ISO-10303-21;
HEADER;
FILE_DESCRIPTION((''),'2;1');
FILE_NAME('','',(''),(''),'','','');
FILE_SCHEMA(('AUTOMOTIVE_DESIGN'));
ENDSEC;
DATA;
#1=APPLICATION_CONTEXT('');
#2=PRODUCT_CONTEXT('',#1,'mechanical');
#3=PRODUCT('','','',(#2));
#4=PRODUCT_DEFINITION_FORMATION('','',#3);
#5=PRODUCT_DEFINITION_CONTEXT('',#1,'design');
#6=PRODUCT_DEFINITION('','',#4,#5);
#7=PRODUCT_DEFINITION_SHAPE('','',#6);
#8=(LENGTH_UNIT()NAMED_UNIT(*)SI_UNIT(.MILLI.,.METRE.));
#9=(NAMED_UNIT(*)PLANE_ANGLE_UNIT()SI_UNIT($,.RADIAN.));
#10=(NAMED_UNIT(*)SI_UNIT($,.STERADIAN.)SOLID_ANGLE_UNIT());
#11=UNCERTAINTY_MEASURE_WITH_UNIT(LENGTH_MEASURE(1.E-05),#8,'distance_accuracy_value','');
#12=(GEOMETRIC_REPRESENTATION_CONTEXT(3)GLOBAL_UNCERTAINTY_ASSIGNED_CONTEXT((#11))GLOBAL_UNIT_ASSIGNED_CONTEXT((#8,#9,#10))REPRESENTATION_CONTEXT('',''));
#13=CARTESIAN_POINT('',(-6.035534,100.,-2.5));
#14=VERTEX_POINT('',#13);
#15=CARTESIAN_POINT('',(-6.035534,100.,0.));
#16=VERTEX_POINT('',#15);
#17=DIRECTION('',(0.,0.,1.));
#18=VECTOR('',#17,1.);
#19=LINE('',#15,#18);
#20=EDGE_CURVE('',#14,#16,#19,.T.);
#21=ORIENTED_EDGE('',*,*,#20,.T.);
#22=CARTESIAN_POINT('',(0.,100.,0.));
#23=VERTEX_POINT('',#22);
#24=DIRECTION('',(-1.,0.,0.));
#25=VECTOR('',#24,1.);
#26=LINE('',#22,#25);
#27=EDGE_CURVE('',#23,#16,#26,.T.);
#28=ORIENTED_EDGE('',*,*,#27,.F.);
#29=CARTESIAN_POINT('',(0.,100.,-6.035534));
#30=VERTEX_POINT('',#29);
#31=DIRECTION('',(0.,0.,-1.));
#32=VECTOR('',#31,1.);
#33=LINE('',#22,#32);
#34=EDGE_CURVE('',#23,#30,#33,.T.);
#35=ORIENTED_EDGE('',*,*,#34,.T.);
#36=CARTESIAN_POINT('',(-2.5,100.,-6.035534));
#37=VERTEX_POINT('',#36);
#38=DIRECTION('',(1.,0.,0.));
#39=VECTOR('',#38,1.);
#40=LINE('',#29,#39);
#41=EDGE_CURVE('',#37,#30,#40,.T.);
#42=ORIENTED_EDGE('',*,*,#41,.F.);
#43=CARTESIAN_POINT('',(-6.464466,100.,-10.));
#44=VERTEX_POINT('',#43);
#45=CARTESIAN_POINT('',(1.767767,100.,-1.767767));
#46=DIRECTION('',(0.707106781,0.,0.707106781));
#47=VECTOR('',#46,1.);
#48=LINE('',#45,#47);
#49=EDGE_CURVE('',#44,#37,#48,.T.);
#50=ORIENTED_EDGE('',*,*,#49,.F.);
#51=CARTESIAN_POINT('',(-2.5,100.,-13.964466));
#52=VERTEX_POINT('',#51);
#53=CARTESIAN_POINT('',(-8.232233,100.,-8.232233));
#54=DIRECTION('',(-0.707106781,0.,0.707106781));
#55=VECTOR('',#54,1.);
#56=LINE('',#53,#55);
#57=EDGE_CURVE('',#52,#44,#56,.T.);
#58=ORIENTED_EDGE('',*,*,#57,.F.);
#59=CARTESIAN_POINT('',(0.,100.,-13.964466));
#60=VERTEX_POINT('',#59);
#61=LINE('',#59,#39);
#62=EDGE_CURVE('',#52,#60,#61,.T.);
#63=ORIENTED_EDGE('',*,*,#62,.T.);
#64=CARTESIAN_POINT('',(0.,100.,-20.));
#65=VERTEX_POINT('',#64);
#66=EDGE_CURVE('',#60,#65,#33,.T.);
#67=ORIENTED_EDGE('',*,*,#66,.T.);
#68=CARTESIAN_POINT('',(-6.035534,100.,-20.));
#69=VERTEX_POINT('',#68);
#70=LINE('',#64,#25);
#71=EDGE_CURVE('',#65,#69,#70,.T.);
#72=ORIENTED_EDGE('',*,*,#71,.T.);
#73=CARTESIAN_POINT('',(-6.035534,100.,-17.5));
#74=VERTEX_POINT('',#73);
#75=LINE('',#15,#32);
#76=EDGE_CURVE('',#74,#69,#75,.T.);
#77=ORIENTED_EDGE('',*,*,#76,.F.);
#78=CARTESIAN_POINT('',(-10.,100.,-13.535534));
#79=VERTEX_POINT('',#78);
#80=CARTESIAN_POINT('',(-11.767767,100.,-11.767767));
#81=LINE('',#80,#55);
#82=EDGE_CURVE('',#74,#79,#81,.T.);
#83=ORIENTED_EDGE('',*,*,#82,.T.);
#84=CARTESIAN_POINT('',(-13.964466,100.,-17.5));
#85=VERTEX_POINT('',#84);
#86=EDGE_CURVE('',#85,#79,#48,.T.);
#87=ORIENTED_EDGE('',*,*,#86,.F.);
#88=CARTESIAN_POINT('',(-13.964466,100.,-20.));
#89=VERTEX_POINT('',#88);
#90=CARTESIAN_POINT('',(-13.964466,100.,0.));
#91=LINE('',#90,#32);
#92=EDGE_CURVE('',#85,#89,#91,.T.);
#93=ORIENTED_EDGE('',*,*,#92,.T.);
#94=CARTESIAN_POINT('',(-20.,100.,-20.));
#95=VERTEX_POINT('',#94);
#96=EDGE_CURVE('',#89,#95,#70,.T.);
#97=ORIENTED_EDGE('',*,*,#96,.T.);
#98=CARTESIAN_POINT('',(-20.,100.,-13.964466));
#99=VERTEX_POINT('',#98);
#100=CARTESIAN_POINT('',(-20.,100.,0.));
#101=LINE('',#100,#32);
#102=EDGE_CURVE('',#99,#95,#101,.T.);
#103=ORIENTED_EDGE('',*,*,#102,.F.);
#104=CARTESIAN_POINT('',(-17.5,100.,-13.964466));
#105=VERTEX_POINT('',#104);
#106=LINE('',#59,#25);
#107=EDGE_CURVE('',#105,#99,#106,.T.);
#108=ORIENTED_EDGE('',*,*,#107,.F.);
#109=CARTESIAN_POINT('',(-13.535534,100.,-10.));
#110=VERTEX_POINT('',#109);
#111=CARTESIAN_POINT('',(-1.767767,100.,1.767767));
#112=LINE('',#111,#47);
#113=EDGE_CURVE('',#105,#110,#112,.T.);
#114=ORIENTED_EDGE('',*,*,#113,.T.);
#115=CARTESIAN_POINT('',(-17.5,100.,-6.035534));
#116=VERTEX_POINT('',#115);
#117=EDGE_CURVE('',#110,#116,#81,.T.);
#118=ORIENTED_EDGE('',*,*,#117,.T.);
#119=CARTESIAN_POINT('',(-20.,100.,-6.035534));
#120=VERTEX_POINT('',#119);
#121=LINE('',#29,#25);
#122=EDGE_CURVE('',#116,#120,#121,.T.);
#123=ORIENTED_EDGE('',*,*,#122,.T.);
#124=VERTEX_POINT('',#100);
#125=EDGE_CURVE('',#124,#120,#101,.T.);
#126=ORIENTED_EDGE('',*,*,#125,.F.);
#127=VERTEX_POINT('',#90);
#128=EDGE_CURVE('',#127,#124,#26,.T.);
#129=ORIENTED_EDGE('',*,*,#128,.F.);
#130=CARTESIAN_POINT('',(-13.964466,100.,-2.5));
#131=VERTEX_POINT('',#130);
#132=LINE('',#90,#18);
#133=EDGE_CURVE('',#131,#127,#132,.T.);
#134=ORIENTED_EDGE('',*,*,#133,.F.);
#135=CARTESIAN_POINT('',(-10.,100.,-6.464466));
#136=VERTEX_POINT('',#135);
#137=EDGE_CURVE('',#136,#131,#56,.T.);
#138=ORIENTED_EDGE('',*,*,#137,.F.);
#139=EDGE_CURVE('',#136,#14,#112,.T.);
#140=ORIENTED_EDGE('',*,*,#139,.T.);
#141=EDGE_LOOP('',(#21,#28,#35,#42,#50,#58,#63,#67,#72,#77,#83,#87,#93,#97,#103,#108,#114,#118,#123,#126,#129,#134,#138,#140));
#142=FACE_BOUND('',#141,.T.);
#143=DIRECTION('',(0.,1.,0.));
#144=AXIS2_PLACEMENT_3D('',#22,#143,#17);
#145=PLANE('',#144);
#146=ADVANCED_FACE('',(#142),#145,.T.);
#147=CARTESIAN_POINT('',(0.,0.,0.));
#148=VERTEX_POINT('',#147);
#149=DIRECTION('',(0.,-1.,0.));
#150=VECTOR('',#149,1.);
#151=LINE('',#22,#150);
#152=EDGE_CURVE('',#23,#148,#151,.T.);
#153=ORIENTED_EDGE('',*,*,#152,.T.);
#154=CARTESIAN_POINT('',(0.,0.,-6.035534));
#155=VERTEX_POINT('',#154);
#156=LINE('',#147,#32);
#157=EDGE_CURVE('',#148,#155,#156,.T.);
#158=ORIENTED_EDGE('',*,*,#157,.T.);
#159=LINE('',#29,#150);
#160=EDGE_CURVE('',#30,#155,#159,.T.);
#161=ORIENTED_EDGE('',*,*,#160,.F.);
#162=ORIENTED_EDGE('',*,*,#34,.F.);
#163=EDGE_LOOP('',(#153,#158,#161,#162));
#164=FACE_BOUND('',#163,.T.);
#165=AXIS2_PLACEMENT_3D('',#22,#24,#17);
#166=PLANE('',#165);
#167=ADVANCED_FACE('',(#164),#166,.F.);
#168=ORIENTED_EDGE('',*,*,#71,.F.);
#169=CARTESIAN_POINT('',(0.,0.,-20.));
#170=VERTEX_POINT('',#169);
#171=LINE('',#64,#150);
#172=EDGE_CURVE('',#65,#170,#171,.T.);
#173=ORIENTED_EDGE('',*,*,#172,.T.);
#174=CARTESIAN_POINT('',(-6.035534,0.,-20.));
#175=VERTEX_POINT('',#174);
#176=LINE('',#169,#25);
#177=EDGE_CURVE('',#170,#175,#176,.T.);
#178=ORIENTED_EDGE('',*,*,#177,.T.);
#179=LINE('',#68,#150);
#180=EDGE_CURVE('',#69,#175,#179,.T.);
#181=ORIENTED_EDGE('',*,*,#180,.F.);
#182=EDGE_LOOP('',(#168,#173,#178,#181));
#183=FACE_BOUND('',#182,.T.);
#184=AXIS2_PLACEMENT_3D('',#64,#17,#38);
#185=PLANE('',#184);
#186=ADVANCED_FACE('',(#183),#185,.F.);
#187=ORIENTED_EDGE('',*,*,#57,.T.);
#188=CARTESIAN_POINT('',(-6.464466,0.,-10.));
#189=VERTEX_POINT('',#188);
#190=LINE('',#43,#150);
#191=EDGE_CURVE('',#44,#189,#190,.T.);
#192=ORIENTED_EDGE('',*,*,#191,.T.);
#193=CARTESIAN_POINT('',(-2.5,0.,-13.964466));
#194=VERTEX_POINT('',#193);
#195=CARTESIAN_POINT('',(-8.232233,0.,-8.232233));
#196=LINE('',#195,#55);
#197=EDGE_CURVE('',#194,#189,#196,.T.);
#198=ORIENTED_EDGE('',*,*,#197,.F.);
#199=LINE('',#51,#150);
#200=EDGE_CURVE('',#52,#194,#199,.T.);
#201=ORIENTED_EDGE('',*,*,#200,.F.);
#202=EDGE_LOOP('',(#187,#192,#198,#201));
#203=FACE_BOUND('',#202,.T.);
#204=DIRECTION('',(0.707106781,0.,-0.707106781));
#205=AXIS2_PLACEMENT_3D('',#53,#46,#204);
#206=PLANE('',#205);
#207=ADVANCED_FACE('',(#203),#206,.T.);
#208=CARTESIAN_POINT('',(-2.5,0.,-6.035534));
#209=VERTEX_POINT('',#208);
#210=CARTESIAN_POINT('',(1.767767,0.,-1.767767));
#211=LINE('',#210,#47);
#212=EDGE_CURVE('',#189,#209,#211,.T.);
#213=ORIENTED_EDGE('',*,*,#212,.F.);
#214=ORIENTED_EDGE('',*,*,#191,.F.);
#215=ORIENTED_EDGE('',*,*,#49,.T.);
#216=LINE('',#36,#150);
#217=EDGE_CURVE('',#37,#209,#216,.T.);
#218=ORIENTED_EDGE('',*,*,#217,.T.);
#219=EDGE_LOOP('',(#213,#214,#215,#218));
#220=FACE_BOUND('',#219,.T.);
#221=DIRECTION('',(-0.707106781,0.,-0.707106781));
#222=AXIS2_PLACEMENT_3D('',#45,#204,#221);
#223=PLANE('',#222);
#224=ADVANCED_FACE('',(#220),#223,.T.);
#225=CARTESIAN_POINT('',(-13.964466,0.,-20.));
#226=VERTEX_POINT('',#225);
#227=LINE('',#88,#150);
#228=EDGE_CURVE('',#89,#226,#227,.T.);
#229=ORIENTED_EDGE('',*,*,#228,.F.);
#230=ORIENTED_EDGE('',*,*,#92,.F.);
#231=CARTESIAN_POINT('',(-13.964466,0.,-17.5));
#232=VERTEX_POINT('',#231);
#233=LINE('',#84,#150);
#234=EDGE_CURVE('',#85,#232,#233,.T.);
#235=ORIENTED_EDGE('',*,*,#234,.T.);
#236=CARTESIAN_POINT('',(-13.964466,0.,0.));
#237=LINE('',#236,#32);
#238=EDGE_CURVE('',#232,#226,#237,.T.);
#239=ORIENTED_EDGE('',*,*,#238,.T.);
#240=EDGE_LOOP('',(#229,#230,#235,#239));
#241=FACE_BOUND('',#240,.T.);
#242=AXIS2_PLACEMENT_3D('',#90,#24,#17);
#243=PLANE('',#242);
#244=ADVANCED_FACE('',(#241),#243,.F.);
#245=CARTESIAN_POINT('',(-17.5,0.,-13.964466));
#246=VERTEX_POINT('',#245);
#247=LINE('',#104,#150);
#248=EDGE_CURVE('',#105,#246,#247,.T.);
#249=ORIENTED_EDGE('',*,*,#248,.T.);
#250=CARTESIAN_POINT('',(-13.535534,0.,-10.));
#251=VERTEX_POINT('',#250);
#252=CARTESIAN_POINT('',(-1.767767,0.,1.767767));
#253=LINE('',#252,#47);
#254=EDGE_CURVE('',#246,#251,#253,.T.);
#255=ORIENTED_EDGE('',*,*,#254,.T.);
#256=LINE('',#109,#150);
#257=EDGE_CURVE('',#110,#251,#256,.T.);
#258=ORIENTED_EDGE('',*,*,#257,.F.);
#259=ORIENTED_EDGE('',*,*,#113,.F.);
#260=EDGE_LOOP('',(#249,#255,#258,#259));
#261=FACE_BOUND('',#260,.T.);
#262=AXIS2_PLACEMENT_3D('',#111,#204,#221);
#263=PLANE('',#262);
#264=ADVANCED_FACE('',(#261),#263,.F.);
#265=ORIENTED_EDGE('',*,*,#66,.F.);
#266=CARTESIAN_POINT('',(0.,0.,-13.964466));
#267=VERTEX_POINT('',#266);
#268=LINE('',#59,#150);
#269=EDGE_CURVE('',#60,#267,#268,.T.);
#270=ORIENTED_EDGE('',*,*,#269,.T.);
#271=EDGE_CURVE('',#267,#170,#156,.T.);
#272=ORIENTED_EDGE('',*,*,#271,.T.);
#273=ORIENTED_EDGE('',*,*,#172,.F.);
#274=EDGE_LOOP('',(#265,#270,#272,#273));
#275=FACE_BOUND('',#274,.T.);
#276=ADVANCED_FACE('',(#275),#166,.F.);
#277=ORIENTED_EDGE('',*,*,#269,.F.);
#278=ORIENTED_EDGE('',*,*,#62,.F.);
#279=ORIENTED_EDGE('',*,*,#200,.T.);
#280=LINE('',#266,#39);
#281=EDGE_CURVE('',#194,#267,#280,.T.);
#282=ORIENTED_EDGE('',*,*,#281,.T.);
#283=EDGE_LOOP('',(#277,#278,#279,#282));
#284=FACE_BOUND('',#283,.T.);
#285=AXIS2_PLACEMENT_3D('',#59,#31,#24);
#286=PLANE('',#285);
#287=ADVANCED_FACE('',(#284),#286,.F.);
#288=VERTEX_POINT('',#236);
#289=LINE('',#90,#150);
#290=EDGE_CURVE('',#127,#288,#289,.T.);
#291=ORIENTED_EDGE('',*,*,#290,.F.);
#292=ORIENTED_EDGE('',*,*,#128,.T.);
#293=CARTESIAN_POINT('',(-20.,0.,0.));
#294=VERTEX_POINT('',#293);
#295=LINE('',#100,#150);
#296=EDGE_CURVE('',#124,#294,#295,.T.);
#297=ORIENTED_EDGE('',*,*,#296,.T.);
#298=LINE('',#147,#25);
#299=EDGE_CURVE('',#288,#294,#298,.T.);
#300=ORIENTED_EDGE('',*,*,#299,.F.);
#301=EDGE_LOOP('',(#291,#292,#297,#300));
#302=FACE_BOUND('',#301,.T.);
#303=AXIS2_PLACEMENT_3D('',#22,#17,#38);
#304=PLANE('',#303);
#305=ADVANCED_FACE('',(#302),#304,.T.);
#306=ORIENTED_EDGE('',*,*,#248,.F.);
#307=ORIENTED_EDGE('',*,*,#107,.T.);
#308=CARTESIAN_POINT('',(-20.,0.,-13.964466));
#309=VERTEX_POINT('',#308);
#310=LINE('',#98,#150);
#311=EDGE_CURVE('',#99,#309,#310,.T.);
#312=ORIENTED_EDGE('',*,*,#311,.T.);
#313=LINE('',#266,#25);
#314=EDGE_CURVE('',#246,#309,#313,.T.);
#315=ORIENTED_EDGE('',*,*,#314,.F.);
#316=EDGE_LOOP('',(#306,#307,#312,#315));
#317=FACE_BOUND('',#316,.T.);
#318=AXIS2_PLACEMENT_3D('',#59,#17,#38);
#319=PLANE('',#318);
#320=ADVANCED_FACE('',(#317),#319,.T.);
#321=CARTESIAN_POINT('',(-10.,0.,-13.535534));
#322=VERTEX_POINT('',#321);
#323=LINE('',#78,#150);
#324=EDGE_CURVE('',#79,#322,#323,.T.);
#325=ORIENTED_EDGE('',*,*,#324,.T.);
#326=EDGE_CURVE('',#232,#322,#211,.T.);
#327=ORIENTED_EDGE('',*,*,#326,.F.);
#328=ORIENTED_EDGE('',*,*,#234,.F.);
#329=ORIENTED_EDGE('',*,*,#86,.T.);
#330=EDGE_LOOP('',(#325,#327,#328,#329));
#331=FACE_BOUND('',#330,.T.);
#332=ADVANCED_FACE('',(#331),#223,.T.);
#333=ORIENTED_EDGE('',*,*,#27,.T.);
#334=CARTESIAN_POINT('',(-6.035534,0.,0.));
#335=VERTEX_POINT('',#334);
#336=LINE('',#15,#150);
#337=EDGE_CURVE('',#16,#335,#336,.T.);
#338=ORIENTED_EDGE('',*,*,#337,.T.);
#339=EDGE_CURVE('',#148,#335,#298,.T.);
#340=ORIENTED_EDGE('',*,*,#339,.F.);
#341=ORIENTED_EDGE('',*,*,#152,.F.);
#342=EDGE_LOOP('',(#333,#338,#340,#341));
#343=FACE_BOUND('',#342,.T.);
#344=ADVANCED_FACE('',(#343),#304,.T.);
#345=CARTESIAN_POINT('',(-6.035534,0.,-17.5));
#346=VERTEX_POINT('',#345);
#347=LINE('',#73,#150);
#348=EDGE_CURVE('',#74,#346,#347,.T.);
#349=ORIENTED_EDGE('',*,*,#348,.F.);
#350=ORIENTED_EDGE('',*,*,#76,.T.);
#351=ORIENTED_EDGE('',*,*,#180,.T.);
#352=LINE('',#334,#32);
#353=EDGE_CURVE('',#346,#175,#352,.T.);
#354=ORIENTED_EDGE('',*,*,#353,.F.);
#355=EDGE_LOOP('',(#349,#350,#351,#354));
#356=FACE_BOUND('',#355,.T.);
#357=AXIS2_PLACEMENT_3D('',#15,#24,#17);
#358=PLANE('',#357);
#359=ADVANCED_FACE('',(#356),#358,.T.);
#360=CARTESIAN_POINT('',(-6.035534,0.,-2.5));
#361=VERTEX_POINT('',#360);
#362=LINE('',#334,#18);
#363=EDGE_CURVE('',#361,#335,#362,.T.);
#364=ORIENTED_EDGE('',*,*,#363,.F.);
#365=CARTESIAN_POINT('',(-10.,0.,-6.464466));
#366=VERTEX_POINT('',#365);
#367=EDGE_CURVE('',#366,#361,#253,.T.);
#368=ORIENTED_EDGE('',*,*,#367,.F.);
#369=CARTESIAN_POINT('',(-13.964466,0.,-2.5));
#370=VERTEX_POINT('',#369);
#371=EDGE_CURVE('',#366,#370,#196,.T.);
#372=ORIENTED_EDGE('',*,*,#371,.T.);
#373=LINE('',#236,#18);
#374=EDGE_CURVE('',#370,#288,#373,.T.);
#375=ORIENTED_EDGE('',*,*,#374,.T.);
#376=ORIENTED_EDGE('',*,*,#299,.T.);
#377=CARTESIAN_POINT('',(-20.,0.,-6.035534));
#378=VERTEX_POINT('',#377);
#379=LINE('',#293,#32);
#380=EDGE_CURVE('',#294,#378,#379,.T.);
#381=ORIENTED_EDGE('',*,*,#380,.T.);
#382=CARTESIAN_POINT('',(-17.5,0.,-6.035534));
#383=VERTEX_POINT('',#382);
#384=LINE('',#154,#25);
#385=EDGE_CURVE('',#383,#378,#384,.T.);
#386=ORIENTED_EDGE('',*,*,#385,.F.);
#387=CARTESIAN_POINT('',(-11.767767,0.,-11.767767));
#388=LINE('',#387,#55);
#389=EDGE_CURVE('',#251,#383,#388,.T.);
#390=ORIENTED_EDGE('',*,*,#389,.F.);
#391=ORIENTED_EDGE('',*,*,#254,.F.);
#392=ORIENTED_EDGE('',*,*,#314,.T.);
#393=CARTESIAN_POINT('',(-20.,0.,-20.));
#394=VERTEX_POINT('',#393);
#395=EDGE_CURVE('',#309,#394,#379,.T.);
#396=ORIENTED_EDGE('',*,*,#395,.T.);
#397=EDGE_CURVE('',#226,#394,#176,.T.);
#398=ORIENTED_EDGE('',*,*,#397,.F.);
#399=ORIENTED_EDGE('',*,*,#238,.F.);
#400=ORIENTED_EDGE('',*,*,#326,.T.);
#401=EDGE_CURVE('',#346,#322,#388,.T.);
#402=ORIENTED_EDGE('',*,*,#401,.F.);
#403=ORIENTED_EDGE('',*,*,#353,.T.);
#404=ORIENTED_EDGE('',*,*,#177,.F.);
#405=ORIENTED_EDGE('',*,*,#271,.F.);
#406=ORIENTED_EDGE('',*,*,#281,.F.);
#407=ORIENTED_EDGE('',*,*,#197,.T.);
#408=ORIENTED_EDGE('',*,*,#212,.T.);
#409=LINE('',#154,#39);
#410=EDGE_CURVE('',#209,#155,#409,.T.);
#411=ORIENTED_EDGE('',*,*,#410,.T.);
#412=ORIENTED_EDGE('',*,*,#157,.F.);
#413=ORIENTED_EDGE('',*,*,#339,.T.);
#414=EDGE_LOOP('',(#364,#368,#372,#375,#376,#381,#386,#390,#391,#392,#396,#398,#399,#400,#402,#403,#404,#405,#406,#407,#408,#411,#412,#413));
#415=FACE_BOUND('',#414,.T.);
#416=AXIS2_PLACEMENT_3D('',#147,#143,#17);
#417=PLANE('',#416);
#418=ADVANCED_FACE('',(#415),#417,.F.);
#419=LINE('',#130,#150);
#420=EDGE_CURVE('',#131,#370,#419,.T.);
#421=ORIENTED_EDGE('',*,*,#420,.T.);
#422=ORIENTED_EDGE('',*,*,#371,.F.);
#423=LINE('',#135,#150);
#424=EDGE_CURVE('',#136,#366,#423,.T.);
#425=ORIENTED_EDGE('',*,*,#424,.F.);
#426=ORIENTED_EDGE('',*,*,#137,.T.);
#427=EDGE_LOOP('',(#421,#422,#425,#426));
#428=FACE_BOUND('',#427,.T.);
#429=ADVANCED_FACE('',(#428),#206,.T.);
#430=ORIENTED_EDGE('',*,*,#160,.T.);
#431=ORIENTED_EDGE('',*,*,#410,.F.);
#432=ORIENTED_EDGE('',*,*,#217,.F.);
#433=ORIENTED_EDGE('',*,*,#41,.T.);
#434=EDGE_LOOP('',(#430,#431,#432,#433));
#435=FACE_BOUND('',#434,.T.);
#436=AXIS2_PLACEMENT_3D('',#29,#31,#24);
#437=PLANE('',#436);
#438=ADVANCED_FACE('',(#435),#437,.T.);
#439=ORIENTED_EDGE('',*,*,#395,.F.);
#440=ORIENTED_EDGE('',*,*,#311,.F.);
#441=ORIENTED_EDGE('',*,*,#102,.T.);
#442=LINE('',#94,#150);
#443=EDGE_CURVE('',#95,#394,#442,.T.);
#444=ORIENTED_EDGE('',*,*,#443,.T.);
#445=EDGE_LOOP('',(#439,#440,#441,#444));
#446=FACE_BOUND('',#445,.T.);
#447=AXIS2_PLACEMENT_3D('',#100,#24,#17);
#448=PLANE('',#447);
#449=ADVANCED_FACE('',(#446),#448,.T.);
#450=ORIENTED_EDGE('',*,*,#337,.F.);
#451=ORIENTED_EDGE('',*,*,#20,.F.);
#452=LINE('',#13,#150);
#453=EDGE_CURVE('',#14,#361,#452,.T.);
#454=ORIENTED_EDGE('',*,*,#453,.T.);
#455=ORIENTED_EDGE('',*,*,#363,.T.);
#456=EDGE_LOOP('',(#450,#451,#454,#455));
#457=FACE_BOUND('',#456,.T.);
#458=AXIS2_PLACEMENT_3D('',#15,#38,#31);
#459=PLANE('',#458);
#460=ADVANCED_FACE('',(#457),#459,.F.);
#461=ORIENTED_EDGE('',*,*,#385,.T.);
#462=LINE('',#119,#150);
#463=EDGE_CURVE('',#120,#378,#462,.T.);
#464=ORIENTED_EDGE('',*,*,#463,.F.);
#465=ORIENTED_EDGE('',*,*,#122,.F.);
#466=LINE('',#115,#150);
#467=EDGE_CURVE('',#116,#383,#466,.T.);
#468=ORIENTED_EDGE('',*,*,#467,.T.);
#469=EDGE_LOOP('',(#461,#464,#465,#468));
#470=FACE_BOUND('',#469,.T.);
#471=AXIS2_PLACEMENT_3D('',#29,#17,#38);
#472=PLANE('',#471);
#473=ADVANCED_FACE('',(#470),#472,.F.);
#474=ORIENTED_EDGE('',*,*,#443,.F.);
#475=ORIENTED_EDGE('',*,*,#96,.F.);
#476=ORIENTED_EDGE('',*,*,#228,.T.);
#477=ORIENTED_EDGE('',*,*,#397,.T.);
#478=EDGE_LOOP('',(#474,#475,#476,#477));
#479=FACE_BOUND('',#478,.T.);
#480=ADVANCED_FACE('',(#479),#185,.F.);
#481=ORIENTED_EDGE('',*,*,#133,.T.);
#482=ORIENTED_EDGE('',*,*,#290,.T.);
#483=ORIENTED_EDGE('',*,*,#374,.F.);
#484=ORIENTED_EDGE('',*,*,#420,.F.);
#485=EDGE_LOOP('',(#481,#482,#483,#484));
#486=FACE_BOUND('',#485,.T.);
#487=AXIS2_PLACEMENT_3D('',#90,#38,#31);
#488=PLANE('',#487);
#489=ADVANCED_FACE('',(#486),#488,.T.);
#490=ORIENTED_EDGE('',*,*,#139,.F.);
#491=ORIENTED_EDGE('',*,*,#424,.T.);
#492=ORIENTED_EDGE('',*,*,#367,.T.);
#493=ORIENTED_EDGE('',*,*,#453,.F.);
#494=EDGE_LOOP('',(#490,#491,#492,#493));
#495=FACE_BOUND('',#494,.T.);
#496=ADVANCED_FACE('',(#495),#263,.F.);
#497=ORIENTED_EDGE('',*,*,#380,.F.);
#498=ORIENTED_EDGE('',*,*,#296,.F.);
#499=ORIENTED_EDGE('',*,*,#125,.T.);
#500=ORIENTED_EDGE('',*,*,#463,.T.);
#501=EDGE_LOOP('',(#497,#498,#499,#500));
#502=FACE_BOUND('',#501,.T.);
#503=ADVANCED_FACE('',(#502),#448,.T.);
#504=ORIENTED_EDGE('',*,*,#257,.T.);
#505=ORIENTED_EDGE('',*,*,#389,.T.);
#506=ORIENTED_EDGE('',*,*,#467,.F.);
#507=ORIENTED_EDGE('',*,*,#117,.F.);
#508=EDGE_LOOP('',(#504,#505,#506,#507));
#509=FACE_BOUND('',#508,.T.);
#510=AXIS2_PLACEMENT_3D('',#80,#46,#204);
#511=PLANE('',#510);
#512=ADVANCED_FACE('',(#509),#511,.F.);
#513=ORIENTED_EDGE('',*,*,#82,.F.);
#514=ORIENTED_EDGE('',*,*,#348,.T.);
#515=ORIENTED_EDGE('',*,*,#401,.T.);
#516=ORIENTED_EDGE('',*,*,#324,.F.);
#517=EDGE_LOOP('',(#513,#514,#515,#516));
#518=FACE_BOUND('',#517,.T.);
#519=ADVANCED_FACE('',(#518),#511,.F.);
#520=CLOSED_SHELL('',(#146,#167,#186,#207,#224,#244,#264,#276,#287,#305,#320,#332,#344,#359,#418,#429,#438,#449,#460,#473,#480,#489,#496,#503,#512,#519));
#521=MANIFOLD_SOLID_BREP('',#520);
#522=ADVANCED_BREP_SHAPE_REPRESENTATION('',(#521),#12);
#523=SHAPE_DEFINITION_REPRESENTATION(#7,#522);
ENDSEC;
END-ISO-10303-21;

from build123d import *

# Parameters (mm, degrees)
BOSS_EXTRU_1_DEPTH = 100


with BuildPart() as part:
    # Esquisse1 → Boss.-Extru.1 (new body)
    with BuildSketch(Plane(origin=(0, 0, 0), x_dir=(1, 0, 0), z_dir=(0, 1, 0))):
        Polygon((-3.535533906, 0), (-6.035533906, 2.5), (-6.035533906, 0), align=None)
        Polygon((0, 3.535533906), (-2.5, 6.035533906), (-2.5, 2.5), (-6.035533906, 2.5), (-3.535533906, 0), (0, 0), align=None)
        Polygon((0, 6.035533906), (-2.5, 6.035533906), (0, 3.535533906), align=None)
        Polygon((-2.5, 2.5), (-2.5, 6.035533906), (-6.464466094, 10), (-10, 6.464466094), (-6.035533906, 2.5), align=None)
        Polygon((-13.964466094, 0), (-13.964466094, 2.5), (-16.464466094, 0), align=None)
        Polygon((-17.5, 2.5), (-17.5, 6.035533906), (-20, 3.535533906), (-20, 0), (-16.464466094, 0), (-13.964466094, 2.5), align=None)
        Polygon((-20, 3.535533906), (-17.5, 6.035533906), (-20, 6.035533906), align=None)
        Polygon((-10, 6.464466094), (-13.535533906, 10), (-17.5, 6.035533906), (-17.5, 2.5), (-13.964466094, 2.5), align=None)
        Polygon((-6.464466094, 10), (-10, 13.535533906), (-13.535533906, 10), (-10, 6.464466094), align=None)
        Polygon((-2.5, 13.964466094), (-2.5, 17.5), (-6.035533906, 17.5), (-10, 13.535533906), (-6.464466094, 10), align=None)
        Polygon((-6.035533906, 17.5), (-2.5, 17.5), (-2.5, 13.964466094), (0, 16.464466094), (0, 20), (-3.535533906, 20), align=None)
        Polygon((0, 16.464466094), (-2.5, 13.964466094), (0, 13.964466094), align=None)
        Polygon((-6.035533906, 20), (-6.035533906, 17.5), (-3.535533906, 20), align=None)
        Polygon((-16.464466094, 20), (-13.964466094, 17.5), (-13.964466094, 20), align=None)
        Polygon((-17.5, 17.5), (-13.964466094, 17.5), (-16.464466094, 20), (-20, 20), (-20, 16.464466094), (-17.5, 13.964466094), align=None)
        Polygon((-20, 13.964466094), (-17.5, 13.964466094), (-20, 16.464466094), align=None)
        Polygon((-10, 13.535533906), (-13.964466094, 17.5), (-17.5, 17.5), (-17.5, 13.964466094), (-13.535533906, 10), align=None)
    extrude(amount=BOSS_EXTRU_1_DEPTH)


solid = part.part
